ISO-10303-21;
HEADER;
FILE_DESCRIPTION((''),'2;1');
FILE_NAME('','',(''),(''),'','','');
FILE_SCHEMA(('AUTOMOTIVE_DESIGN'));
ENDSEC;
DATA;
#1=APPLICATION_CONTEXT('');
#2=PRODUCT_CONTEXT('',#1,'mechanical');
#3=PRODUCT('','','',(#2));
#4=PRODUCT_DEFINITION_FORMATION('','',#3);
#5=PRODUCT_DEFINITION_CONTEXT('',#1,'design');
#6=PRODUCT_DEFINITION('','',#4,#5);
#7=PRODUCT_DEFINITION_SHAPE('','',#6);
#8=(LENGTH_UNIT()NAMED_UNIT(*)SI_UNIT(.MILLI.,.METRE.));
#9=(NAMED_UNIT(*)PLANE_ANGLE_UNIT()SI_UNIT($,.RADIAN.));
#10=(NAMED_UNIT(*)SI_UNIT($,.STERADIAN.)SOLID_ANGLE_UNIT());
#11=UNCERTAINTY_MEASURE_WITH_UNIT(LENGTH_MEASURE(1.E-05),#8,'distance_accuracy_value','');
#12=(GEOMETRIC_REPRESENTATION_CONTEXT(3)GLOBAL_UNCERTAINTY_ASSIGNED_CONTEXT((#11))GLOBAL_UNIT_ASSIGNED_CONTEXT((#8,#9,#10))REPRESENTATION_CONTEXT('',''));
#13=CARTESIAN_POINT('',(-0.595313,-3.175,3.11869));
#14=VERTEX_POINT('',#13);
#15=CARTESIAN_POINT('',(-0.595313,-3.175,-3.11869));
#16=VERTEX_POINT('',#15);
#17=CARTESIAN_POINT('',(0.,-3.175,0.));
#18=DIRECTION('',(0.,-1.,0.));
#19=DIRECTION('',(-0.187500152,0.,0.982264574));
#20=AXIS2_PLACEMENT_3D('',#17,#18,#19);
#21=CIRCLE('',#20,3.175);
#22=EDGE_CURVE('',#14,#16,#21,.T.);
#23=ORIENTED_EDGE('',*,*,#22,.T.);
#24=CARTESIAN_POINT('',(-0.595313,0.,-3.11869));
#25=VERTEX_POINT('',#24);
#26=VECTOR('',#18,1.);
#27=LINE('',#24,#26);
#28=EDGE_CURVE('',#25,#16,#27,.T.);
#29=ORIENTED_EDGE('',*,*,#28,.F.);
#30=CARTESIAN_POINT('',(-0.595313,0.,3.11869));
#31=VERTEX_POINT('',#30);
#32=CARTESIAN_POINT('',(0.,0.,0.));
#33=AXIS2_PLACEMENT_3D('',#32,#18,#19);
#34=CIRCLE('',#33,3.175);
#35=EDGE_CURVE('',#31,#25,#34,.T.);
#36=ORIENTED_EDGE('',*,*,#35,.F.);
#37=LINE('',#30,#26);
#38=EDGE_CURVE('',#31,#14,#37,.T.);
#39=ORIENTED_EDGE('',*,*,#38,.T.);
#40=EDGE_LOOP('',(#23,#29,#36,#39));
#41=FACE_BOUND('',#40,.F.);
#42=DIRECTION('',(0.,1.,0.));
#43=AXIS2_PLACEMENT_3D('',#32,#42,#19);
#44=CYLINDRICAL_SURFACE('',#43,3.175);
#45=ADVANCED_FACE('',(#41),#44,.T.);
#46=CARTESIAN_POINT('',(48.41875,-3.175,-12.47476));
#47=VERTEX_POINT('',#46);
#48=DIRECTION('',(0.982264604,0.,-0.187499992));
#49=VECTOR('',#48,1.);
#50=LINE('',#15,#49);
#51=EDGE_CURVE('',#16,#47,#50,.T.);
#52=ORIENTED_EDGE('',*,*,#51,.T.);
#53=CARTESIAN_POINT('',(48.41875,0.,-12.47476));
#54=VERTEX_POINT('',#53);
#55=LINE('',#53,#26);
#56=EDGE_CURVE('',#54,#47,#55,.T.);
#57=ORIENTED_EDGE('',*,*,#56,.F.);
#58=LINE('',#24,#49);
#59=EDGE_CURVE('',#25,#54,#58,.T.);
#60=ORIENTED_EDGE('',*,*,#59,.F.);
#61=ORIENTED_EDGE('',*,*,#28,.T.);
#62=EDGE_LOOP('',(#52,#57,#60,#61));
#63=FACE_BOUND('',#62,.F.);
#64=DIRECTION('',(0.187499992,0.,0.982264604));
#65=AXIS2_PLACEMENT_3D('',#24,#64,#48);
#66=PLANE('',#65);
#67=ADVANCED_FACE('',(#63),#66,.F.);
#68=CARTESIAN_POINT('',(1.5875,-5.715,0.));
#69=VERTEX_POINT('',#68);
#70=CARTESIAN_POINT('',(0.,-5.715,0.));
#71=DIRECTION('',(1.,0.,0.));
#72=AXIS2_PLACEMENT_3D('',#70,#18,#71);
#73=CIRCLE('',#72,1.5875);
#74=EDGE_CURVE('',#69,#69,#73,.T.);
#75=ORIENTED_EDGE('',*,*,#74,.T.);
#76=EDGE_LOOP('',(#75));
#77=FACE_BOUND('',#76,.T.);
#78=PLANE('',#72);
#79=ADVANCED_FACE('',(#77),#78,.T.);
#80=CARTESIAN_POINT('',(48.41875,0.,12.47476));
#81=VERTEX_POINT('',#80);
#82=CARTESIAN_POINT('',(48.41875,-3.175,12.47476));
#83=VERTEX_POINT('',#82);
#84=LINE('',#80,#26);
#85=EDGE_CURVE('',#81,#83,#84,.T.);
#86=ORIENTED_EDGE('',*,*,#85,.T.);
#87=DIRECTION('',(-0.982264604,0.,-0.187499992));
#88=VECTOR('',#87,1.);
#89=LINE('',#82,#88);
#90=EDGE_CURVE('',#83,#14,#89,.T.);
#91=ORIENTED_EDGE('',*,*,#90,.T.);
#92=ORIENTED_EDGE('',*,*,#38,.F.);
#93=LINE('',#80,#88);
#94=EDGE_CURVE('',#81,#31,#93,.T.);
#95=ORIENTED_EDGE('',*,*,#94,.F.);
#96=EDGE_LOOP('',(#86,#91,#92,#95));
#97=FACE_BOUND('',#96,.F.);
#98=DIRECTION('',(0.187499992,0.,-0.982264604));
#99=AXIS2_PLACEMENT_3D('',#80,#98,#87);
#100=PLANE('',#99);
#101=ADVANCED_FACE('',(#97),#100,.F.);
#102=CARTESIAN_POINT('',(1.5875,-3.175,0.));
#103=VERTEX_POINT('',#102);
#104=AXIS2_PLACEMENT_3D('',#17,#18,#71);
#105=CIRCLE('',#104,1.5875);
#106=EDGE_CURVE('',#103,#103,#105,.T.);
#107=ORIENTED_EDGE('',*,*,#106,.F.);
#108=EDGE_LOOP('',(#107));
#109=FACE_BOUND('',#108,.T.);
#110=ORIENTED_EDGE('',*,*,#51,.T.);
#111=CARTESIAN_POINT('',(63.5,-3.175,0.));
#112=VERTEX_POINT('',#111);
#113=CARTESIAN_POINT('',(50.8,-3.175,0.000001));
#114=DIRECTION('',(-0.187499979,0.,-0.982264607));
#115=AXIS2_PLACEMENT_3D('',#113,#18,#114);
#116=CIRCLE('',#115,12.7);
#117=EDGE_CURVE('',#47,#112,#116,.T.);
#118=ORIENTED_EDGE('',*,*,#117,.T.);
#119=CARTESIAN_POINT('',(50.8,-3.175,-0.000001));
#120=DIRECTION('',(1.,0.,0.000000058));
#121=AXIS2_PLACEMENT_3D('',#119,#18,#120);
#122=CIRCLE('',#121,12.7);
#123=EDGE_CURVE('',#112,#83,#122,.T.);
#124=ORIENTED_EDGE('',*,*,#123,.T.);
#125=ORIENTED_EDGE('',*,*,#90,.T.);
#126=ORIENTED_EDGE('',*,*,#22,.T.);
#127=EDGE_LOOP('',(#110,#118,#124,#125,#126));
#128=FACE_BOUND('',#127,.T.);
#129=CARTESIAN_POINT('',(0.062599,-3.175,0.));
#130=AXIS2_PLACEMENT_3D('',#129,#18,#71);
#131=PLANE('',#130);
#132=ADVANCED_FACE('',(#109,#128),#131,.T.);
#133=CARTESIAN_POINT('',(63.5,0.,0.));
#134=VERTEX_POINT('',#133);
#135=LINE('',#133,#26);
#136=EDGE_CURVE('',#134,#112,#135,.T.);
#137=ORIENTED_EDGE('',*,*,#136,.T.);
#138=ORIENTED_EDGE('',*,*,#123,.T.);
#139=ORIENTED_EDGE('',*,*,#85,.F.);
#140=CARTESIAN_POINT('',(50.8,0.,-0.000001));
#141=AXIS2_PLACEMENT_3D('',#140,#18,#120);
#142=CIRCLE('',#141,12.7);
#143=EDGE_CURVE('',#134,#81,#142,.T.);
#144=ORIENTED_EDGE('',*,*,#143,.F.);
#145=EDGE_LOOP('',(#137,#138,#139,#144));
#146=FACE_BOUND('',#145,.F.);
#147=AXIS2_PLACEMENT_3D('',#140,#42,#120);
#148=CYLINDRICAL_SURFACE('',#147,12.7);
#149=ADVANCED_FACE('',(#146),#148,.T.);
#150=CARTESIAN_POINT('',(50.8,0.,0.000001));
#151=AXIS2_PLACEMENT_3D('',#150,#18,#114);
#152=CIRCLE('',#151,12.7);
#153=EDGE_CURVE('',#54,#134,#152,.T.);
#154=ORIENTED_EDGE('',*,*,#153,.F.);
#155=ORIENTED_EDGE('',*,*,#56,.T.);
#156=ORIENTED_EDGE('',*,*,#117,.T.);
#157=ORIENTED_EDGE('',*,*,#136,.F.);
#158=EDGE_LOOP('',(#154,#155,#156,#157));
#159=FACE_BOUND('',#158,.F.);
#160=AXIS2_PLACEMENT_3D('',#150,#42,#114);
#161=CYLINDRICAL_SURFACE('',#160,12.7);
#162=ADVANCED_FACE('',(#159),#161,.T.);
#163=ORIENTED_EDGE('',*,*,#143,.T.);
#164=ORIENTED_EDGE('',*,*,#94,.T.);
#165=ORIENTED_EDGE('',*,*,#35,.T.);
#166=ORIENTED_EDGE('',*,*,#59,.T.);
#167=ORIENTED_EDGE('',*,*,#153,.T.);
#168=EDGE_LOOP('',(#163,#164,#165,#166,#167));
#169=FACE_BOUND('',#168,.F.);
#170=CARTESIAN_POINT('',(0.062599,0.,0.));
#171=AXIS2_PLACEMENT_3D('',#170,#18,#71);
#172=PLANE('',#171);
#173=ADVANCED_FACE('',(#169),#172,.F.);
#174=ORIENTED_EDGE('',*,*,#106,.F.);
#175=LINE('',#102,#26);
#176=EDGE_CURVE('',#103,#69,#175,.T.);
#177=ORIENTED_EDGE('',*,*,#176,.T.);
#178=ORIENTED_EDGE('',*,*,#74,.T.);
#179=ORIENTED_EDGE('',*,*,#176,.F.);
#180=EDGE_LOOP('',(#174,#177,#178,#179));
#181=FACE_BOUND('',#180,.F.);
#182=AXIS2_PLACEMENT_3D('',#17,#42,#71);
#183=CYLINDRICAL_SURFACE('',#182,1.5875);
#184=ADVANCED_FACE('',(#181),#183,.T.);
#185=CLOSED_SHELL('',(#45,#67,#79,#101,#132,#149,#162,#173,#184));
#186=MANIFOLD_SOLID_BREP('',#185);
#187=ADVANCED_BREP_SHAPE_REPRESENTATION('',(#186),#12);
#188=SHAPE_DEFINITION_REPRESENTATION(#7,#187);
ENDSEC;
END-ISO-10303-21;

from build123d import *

# Parameters (mm, degrees)
F1_DEPTH = 3.175
F2_R     = 1.5875
F3_DEPTH = 2.54


with BuildPart() as f1:
    # F0 (on Front) → F1 (new body)
    with BuildSketch(Plane.XZ):
        with BuildLine():
            ThreePointArc((-0.595313, -3.11869), (2.023673, -2.446502), (3.175, 0))
            ThreePointArc((3.175, 0), (2.023673, 2.446502), (-0.595313, 3.11869))
            ThreePointArc((-0.595313, 3.11869), (-3.175, 0), (-0.595313, -3.11869))
        make_face()
        with BuildLine():
            ThreePointArc((-0.595313, 3.11869), (2.023673, 2.446502), (3.175, 0))
            ThreePointArc((3.175, 0), (2.023673, -2.446502), (-0.595313, -3.11869))
            Line((-0.595313, -3.11869), (48.41875, -12.47476))
            ThreePointArc((48.41875, -12.47476), (38.1, 0), (48.41875, 12.47476))
            Line((48.41875, 12.47476), (-0.595313, 3.11869))
        make_face()
        with BuildLine():
            ThreePointArc((63.5, 0), (58.894693, 9.786007), (48.41875, 12.47476))
            ThreePointArc((48.41875, 12.47476), (38.1, 0), (48.41875, -12.47476))
            ThreePointArc((48.41875, -12.47476), (58.894693, -9.786007), (63.5, 0))
        make_face()
    extrude(amount=F1_DEPTH)

    # F2 (on face) → F3 (join)
    with BuildSketch(Plane.XZ.offset(3.175)):
        Circle(F2_R)
    extrude(amount=F3_DEPTH)


solid = f1.part
